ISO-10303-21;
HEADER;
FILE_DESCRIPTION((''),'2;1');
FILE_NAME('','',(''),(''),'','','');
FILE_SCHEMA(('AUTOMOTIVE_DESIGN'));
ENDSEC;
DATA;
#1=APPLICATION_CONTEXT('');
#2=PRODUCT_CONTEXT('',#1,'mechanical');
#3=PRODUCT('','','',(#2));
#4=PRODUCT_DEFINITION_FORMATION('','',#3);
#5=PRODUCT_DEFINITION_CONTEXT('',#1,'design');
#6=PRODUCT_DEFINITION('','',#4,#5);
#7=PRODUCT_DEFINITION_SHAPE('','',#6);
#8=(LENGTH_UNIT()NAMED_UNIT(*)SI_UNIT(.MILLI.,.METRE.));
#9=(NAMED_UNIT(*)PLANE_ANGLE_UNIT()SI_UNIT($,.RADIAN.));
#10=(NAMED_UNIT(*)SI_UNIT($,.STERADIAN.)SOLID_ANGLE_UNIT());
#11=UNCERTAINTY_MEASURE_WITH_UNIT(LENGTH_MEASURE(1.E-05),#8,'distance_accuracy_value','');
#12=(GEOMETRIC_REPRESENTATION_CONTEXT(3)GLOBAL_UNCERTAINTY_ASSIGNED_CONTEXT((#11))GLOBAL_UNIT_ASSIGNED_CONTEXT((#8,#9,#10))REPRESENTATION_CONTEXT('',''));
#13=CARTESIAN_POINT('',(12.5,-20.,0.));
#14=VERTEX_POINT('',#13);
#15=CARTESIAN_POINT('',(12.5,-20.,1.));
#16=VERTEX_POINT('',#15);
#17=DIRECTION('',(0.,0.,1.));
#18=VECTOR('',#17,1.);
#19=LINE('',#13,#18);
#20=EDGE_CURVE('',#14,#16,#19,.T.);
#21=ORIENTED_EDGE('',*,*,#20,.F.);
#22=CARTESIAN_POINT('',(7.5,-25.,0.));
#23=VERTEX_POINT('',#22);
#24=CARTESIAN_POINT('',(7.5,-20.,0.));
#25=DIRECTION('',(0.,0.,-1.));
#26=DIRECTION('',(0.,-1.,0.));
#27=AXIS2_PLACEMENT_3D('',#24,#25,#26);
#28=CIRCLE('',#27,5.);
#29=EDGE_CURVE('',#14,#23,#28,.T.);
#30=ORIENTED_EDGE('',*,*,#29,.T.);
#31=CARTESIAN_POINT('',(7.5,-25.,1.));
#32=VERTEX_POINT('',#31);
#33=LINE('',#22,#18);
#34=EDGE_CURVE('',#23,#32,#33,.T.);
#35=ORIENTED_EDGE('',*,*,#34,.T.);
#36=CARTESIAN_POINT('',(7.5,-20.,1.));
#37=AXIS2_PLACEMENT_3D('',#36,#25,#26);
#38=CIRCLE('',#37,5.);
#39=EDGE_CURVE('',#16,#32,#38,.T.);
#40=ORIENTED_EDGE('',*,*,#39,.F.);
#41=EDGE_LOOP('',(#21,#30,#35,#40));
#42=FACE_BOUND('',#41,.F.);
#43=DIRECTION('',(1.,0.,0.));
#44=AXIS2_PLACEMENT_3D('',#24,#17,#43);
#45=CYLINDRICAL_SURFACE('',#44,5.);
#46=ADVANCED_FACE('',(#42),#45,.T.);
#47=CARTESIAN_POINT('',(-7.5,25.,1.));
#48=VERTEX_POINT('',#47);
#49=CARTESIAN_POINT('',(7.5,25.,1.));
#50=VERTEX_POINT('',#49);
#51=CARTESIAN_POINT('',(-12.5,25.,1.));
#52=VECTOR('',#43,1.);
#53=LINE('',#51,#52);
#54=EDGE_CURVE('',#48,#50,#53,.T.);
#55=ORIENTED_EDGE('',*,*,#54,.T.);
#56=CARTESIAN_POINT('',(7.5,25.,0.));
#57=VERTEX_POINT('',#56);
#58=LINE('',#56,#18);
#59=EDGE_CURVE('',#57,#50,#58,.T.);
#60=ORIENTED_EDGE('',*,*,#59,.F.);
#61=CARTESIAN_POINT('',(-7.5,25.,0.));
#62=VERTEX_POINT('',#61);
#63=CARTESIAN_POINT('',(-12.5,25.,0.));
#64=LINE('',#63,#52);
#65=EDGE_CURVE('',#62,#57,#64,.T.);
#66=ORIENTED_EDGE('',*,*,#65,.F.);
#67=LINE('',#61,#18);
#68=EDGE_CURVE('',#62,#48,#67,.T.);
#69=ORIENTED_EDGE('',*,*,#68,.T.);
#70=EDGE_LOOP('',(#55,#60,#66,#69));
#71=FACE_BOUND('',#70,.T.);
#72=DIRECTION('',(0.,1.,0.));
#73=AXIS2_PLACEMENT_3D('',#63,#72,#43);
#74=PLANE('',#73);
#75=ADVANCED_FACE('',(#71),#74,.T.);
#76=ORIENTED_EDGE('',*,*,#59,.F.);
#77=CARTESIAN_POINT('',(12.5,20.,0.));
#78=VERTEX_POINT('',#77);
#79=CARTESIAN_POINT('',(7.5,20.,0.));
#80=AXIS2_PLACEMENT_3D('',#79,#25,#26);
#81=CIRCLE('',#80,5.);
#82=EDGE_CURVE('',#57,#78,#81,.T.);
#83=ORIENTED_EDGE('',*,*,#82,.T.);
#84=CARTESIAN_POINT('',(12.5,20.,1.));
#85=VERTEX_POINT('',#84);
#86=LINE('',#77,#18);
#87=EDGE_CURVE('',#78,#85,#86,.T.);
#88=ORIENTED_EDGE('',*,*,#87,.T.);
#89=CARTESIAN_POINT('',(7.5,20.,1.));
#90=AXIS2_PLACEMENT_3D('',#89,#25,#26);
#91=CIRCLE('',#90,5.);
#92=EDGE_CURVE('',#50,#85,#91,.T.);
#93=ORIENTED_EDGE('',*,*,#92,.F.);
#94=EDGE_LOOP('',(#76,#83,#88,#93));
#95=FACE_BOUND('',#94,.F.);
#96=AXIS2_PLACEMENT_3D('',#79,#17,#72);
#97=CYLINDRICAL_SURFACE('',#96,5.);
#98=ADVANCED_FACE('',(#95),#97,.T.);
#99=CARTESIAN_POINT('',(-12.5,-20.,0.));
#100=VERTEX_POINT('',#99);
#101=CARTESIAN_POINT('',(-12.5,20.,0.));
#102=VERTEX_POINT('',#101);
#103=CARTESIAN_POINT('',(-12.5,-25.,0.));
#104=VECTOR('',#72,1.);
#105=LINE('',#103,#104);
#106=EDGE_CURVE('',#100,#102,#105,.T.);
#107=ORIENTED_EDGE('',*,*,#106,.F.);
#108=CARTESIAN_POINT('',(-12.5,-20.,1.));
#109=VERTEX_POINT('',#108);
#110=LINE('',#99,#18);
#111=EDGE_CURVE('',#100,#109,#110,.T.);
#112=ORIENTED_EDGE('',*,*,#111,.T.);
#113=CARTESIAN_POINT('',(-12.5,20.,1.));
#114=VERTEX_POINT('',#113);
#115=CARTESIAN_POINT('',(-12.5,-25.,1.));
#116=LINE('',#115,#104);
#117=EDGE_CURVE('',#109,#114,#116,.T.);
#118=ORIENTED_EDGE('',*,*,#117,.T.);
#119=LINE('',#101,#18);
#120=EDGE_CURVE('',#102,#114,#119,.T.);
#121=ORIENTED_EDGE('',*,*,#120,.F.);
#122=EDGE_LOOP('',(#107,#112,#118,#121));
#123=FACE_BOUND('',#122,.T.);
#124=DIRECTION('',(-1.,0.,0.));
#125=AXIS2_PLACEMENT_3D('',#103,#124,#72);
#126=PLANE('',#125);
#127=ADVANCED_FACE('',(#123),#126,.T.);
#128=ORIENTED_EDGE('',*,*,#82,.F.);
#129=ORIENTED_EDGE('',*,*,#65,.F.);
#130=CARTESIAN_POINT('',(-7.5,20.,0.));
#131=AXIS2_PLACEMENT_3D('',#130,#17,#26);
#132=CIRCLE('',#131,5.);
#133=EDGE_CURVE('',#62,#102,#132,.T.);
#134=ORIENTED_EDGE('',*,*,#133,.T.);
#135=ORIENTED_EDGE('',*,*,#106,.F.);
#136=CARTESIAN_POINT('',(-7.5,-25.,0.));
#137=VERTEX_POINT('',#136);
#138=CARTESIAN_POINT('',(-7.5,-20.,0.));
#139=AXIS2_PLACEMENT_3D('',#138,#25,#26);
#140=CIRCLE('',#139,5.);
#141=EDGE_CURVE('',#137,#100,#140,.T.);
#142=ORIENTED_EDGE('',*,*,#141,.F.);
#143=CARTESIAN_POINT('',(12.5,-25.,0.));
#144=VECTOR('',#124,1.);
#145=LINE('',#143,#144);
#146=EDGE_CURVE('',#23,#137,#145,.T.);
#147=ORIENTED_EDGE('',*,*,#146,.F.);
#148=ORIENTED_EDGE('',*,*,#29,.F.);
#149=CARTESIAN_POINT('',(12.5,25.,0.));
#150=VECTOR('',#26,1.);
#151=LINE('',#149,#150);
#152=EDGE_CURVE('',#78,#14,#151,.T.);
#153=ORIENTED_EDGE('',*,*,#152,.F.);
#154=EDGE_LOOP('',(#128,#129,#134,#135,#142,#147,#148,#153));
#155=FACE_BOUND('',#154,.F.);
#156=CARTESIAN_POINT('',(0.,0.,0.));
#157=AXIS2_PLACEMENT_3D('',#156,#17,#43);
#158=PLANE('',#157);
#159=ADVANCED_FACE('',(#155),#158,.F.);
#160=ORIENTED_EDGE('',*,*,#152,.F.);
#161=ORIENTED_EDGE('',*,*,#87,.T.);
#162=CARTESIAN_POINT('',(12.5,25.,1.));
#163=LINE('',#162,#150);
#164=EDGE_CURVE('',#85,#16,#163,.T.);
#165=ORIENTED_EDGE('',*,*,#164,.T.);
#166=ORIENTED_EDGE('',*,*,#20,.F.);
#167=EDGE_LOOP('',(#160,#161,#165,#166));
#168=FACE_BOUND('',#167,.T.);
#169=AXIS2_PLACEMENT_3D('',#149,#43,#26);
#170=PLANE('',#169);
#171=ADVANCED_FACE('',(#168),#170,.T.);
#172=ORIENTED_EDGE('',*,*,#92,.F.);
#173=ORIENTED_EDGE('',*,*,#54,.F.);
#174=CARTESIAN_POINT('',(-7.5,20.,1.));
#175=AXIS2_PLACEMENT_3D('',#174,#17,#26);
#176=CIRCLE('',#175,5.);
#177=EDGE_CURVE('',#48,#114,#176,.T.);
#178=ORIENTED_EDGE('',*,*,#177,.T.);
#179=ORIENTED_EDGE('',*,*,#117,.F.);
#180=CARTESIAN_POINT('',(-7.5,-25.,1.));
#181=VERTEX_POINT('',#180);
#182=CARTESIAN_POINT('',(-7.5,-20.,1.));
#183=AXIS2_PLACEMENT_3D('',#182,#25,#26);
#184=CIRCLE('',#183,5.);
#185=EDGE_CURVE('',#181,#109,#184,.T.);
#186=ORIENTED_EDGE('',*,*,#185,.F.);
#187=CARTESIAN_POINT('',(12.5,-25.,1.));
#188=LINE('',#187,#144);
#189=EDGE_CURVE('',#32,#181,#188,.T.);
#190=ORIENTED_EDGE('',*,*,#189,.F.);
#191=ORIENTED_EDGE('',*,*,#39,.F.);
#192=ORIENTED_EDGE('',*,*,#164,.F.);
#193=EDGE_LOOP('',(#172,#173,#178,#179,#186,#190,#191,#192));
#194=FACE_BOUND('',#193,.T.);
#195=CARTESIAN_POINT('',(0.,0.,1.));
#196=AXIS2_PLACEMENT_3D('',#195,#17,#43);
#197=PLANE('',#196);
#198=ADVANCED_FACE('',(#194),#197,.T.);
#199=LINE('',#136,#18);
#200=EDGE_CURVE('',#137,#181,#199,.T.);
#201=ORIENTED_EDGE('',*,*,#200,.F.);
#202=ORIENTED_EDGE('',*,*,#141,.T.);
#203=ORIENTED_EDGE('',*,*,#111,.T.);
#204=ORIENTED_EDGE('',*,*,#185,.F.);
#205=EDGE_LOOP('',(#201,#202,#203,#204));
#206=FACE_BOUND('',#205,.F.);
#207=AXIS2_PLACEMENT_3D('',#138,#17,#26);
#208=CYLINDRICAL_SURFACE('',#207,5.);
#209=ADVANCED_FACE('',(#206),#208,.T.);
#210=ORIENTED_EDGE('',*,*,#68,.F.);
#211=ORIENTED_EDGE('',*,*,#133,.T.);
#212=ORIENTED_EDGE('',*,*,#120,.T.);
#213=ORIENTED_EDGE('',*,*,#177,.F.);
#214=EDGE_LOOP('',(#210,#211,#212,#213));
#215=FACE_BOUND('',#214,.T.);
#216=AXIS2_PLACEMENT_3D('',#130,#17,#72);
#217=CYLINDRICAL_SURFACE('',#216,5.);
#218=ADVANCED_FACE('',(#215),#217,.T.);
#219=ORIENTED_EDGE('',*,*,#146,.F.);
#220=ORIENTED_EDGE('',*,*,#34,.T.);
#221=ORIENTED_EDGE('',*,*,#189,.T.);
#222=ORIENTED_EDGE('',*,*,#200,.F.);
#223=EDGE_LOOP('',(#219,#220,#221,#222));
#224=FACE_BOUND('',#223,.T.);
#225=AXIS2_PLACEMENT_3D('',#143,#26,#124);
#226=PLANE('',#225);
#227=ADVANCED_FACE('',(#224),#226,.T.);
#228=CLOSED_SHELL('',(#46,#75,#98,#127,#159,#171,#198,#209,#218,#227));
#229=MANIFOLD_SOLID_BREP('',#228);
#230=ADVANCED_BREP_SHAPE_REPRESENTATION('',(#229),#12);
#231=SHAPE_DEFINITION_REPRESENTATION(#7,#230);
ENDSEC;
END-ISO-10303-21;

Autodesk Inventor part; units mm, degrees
ref_plane "YZ Plane" through (0, 0, 0) normal (1, 0, 0) x (0, 1, 0)
ref_plane "XZ Plane" through (0, 0, 0) normal (0, 1, 0) x (-1, 0, 0)
ref_plane "XY Plane" through (0, 0, 0) normal (0, 0, 1) x (1, 0, 0)
sketch "Sketch1" plane through (0, 0, 0) normal (0, 0, 1) x (1, 0, 0)
  line L0 (0, 20.1746) -> (0, -21.4461) construction
  line L1 (-20.2028, 0) -> (20.1685, 0) construction
  line L2 (-12.5, 25) -> (12.5, 25)
  line L3 (12.5, 25) -> (12.5, -25)
  line L4 (12.5, -25) -> (-12.5, -25)
  line L5 (-12.5, -25) -> (-12.5, 25)
  point P0 (0, 0)
  dimension "d0" = 50
  dimension "d1" = 25
  dimension "d2" = 25
  dimension "d3" = 12.5
extrude "Extrusion1" add sketch "Sketch1" along normal blind 1
fillet "Fillet1" radius 5 4 edges at (12.5, 25, 0.5) (-12.5, 25, 0.5) (12.5, -25, 0.5) (-12.5, -25, 0.5)
chamfer "Chamfer1" [suppressed]
equation "\"d0\" = height"
equation "\"d1\" = 0.5 * height"
equation "\"d2\" = width"
equation "\"d3\" = 0.5 * width"
equation "\"d4\" = thickness"
equation "\"d6\" = fillet"
equation "\"fillet\" = 5"
equation "\"chamfer\" = 0"
equation "\"thickness\" = 1"
equation "\"width\" = 25"
equation "\"height\" = 50"
properties part number "Placa Esquinas empalmadas (mm) 25 x 50 x 1" material "Acero, suave"
